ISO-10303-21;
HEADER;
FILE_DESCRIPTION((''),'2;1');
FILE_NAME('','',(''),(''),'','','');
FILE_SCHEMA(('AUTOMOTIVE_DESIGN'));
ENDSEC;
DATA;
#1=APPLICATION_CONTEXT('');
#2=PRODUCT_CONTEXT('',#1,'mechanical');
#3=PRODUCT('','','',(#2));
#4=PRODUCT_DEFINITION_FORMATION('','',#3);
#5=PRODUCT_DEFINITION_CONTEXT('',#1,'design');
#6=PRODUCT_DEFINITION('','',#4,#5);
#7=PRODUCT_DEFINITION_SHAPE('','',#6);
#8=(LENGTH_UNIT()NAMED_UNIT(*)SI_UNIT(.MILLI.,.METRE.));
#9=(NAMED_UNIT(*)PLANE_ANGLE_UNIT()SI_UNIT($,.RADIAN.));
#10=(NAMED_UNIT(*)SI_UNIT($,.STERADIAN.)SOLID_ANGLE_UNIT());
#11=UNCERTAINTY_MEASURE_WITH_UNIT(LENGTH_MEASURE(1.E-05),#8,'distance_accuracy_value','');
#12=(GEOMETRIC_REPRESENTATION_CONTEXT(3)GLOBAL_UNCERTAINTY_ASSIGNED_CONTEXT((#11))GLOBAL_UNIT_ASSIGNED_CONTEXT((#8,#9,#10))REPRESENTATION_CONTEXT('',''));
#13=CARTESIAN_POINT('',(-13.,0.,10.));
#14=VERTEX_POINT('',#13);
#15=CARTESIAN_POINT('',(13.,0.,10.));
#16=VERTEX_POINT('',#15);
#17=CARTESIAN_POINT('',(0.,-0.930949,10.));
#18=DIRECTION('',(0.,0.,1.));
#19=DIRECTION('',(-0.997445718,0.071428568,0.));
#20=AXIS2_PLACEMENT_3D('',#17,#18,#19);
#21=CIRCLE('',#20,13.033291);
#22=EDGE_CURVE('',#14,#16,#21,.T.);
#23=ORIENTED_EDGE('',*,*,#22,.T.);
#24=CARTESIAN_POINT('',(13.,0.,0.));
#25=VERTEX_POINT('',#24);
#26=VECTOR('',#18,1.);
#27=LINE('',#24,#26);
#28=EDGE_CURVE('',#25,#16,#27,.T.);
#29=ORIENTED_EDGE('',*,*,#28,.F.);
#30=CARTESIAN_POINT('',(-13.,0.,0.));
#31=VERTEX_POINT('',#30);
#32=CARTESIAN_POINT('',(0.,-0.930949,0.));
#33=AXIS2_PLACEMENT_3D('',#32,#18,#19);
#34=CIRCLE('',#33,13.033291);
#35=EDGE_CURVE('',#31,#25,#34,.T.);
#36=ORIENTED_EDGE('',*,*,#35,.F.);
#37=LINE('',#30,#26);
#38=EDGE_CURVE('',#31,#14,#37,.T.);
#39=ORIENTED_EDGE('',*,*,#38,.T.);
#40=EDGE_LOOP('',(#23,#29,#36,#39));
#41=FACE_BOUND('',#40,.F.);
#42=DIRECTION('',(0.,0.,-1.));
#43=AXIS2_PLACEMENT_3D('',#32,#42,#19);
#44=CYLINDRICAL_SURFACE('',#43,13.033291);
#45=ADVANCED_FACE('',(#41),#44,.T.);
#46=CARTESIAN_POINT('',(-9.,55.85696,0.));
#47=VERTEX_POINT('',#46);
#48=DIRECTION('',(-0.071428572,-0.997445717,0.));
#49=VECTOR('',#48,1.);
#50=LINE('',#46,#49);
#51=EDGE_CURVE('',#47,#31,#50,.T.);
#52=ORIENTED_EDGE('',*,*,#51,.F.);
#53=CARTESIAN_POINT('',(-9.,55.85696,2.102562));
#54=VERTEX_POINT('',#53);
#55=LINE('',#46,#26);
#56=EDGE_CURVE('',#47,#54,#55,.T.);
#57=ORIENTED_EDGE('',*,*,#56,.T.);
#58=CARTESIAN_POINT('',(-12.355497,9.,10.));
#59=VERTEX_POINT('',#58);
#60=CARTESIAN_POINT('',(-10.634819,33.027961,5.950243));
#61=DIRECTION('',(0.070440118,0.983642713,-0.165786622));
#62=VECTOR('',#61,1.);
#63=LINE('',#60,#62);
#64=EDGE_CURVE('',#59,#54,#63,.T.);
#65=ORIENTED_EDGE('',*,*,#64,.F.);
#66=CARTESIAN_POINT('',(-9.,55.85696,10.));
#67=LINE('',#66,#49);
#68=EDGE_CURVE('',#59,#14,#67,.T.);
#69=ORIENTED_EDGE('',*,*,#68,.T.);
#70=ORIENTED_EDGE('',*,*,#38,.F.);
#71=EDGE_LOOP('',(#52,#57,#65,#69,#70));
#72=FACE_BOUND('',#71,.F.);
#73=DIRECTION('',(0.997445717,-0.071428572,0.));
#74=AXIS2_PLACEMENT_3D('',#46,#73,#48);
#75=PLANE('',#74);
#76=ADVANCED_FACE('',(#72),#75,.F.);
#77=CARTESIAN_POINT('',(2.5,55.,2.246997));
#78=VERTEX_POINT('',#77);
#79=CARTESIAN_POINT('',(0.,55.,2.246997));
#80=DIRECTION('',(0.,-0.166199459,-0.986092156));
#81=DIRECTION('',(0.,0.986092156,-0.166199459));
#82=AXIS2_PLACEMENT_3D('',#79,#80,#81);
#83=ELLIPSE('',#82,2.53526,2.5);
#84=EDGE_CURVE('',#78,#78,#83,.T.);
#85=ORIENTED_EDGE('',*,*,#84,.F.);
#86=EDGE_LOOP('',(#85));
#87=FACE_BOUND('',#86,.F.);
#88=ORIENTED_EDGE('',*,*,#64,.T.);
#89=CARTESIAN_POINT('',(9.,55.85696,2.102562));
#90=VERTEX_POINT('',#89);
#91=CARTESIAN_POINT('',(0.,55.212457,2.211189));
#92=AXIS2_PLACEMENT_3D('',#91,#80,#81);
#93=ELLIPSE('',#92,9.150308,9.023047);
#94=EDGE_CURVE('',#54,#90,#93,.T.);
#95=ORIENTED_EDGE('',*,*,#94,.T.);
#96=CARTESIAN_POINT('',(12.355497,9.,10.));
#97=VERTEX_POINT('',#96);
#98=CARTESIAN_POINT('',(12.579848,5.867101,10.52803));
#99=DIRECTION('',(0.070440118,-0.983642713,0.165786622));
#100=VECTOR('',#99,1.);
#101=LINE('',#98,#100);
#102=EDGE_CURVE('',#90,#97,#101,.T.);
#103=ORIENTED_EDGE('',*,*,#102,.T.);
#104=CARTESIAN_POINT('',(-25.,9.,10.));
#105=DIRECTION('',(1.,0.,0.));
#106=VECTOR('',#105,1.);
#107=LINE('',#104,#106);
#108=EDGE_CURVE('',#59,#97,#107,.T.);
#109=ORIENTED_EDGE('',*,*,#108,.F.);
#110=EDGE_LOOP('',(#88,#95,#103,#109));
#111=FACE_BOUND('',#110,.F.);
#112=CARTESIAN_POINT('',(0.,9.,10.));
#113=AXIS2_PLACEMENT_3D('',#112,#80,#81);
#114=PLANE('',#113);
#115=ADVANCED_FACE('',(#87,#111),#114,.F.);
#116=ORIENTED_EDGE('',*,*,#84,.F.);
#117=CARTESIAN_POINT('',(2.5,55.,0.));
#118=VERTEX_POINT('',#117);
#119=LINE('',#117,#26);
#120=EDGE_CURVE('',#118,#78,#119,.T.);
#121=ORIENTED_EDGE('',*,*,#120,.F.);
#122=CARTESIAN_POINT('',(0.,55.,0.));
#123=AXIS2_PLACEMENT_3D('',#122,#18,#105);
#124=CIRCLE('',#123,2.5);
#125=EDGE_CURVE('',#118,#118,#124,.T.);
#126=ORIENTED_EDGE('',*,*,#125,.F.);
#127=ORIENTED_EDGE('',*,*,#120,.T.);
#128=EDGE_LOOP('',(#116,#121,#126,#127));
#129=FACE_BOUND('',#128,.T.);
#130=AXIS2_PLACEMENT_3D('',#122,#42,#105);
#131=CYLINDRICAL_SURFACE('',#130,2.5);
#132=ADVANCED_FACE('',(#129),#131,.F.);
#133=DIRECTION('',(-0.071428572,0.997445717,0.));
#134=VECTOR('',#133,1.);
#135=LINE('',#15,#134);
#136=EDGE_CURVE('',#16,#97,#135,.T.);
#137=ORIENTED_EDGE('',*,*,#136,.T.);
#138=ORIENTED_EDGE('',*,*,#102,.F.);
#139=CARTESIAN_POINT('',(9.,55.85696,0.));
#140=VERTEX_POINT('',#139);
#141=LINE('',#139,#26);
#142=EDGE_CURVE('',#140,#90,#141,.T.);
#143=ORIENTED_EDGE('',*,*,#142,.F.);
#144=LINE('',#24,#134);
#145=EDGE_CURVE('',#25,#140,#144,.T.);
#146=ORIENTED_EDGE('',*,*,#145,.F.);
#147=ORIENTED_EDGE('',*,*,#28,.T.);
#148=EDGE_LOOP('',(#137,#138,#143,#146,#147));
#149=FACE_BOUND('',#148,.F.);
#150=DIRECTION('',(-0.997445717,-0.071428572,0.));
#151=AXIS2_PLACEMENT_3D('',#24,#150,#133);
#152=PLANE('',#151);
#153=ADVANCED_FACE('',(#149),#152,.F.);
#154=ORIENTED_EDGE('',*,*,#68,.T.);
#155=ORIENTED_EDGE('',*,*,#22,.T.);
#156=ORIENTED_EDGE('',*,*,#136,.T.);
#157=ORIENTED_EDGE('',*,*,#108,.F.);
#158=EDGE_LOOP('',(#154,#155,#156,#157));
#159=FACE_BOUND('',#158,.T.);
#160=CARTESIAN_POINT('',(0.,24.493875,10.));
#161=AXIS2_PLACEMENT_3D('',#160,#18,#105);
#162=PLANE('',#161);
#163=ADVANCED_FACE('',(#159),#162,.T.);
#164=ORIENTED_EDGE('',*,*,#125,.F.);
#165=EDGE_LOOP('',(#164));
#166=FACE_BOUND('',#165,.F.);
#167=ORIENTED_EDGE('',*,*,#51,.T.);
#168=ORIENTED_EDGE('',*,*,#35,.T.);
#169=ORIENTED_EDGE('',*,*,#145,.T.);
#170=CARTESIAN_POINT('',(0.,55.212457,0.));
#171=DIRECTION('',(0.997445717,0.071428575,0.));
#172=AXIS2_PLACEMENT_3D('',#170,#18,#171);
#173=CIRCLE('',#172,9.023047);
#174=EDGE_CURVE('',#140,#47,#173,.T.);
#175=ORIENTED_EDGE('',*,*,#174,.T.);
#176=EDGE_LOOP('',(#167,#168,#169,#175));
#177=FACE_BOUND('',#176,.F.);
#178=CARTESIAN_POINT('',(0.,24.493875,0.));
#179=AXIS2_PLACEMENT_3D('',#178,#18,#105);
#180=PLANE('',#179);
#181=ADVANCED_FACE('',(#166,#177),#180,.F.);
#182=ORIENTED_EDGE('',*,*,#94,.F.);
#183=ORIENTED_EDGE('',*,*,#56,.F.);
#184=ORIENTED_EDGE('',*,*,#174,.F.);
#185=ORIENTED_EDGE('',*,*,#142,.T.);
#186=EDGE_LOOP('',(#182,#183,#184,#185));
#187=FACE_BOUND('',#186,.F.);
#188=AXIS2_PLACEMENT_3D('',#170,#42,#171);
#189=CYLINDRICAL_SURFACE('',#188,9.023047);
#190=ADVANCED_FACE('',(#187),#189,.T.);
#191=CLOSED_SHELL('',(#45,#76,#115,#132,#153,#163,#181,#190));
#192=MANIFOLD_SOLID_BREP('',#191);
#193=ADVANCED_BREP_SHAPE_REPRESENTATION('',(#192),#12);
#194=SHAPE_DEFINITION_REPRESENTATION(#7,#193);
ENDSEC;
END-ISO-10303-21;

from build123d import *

# Parameters (mm, degrees)
F0_R     = 2.5
F1_DEPTH = 10
F3_DEPTH = 25


with BuildPart() as f1:
    # F0 (on Top) → F1 (new body)
    with BuildSketch(Plane.XY):
        with BuildLine():
            ThreePointArc((-13, 0), (0, -13.96424), (13, 0))
            Line((13, 0), (9, 55.85696))
            ThreePointArc((9, 55.85696), (0, 64.235504), (-9, 55.85696))
            Line((-9, 55.85696), (-13, 0))
        make_face()
        with Locations((0, 55)):
            Circle(F0_R, mode=Mode.SUBTRACT)
    extrude(amount=F1_DEPTH)

    # F2 (on Right) → F3 (cut, symmetric)
    with BuildSketch(Plane.YZ):
        Polygon((68.331851, 10), (9, 10), (68.331851, 0), align=None)
    extrude(amount=F3_DEPTH, both=True, mode=Mode.SUBTRACT)


solid = f1.part
